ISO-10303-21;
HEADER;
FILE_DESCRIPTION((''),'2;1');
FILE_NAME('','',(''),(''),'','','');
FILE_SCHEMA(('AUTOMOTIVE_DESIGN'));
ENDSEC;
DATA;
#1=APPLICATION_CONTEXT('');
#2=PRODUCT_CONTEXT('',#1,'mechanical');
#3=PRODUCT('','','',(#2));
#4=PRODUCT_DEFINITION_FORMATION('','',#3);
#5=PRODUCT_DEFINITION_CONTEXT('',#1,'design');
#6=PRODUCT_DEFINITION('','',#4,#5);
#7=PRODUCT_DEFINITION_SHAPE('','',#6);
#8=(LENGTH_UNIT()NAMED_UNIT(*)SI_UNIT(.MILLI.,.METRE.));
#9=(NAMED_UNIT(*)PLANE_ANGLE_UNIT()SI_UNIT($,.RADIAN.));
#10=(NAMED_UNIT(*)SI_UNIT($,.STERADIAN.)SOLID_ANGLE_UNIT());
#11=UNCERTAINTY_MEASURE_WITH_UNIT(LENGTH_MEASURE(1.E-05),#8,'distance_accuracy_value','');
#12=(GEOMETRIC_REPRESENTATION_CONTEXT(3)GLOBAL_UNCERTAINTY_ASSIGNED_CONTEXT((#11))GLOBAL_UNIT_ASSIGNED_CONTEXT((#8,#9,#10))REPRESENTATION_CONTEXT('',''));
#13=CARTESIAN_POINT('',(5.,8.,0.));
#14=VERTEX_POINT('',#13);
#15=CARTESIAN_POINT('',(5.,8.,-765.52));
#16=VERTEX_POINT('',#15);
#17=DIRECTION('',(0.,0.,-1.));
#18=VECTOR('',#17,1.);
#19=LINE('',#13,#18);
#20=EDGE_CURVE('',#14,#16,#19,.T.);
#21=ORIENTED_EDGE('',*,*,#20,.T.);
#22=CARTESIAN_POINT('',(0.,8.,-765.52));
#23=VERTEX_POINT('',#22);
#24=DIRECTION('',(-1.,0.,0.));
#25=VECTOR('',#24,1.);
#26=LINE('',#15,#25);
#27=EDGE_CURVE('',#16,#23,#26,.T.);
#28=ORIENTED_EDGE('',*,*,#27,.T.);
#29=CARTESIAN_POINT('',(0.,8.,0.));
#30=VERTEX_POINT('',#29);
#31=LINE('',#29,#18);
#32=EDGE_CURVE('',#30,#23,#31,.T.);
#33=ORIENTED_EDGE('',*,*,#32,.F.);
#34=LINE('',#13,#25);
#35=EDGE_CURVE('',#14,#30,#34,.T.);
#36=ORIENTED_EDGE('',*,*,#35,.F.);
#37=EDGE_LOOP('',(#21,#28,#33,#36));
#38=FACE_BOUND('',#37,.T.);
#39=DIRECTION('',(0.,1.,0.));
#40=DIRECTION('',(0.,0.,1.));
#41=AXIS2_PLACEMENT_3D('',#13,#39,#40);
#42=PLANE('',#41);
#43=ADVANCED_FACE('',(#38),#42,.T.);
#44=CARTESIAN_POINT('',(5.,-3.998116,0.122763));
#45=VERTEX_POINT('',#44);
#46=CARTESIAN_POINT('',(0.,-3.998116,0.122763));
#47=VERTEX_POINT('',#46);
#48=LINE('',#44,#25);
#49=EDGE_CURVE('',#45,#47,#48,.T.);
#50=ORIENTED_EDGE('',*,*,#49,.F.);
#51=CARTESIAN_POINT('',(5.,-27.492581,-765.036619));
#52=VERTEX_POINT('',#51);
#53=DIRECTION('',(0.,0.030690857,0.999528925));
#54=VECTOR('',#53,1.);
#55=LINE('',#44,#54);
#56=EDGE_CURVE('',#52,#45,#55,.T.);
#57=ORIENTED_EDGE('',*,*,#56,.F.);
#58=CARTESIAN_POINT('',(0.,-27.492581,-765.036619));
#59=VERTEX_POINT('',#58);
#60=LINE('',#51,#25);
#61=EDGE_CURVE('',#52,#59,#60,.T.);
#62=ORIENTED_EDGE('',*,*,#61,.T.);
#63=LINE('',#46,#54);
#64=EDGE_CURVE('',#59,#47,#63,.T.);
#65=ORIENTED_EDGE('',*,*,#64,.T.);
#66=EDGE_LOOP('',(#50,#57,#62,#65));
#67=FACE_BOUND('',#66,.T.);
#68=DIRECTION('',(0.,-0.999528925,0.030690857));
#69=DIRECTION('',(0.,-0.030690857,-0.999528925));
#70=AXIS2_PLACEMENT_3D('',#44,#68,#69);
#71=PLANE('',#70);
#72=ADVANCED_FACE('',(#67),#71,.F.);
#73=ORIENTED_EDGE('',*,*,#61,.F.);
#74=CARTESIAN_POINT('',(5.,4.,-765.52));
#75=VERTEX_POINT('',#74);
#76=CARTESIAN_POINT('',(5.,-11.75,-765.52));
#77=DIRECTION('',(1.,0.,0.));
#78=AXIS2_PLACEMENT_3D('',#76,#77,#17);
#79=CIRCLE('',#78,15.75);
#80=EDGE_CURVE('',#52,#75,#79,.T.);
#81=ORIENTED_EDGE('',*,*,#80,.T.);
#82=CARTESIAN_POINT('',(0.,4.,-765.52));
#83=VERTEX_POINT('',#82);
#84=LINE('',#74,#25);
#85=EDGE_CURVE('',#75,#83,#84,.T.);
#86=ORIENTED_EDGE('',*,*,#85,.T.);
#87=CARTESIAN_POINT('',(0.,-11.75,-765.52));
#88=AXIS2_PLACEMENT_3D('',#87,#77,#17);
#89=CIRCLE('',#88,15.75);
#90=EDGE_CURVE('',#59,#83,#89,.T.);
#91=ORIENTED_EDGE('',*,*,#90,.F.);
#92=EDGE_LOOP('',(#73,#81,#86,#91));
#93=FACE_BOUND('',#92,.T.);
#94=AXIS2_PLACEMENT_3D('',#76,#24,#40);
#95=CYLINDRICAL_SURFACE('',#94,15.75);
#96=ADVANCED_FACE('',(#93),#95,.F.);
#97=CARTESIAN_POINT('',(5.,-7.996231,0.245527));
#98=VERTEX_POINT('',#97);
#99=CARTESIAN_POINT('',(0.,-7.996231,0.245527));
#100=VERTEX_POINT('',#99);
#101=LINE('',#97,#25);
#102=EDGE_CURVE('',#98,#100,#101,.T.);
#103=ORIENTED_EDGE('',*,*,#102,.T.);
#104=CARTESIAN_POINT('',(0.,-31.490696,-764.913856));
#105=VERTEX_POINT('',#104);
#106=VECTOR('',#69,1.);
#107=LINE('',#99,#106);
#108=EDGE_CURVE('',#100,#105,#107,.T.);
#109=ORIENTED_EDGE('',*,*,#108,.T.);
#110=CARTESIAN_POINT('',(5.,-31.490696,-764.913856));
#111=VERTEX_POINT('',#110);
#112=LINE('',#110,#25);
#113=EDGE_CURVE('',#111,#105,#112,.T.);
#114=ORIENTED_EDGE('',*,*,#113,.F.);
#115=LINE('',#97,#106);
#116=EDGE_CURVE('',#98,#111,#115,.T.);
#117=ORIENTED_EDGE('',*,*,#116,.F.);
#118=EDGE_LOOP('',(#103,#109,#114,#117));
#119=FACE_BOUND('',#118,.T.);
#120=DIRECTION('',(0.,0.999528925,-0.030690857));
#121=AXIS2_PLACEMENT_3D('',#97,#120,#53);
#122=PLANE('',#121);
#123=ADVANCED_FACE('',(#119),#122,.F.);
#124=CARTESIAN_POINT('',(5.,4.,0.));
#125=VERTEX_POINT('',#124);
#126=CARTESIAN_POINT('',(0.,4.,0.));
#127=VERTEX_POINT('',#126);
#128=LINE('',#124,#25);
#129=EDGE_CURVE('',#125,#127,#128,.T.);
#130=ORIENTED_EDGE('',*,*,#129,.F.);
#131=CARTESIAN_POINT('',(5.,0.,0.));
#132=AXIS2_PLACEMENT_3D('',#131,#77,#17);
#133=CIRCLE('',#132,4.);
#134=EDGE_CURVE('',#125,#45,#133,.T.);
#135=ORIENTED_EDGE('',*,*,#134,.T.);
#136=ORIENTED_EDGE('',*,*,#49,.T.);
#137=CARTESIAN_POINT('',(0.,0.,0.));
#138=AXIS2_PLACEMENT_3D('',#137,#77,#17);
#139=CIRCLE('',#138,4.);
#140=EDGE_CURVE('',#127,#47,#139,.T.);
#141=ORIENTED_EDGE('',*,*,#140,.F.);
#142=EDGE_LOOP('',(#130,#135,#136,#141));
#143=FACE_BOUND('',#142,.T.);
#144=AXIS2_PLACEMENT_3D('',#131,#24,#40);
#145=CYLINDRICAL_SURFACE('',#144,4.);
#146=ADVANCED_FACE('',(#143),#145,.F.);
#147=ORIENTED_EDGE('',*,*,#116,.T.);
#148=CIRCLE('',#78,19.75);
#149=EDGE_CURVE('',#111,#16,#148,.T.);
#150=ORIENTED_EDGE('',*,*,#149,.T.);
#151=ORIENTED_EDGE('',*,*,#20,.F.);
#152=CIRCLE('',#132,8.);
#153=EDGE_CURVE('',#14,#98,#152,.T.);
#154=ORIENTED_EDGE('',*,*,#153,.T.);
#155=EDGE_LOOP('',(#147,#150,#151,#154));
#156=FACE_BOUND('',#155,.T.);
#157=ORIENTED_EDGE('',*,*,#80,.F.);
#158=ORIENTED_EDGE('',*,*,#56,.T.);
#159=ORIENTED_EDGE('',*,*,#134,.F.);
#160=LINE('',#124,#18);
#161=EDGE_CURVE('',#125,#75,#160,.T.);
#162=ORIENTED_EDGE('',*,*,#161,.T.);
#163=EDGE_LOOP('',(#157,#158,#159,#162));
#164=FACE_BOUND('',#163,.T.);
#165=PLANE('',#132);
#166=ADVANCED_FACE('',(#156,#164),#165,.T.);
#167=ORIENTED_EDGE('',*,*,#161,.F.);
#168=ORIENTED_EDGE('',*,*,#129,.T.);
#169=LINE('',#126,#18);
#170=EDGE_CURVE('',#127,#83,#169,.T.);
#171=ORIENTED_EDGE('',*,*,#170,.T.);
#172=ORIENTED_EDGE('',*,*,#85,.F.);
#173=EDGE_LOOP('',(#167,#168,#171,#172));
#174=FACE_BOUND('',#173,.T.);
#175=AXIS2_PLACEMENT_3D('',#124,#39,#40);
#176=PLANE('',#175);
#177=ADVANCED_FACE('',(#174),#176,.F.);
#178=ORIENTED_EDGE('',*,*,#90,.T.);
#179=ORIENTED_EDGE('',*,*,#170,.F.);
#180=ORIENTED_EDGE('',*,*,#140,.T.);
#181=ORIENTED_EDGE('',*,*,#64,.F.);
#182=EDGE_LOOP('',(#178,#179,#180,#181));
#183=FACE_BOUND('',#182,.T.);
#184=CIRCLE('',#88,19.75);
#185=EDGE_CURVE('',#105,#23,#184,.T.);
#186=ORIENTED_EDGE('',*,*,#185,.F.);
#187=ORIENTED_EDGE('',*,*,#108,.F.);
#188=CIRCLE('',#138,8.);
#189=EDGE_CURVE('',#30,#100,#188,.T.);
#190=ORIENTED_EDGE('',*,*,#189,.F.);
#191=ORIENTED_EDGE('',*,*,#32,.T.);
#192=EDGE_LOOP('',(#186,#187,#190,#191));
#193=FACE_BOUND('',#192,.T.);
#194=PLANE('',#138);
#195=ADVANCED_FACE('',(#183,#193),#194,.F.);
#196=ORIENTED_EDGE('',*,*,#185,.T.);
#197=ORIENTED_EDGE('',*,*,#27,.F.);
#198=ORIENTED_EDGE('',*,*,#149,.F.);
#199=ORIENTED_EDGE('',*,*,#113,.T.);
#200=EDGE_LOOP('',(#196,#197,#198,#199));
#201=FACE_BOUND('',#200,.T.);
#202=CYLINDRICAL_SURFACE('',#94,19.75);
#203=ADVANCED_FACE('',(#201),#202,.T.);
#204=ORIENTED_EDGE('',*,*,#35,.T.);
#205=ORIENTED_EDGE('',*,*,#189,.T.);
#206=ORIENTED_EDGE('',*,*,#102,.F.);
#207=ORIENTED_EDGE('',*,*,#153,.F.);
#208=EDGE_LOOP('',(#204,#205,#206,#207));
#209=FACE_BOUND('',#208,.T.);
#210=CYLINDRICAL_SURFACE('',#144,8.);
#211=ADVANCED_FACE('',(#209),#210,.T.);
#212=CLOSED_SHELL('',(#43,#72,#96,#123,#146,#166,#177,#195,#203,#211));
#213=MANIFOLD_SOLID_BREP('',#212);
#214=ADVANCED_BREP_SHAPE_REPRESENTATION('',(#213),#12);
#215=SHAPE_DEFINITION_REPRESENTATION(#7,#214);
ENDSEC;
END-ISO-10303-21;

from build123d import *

# Parameters (mm, degrees)
EXTRUDE_1_DEPTH = 5


with BuildPart() as part:
    # ｽｹｯﾁ1 → ﾎﾞｽ - 押し出し1 (new body)
    with BuildSketch(Plane(origin=(0, 0, 0), x_dir=(0, 0, -1), z_dir=(1, 0, 0))):
        with BuildLine():
            Line((765.52, 8), (0, 8))
            ThreePointArc((0, 8), (-7.999057794, 0.122777888), (-0.245526856, -7.996231398))
            Line((-0.245526856, -7.996231398), (764.913855574, -31.490696263))
            ThreePointArc((764.913855574, -31.490696263), (785.267673929, -12.053107912), (765.52, 8))
        make_face()
        with BuildLine():
            ThreePointArc((-0.122763428, -3.998115699), (-3.999528897, 0.061388944), (0, 4))
            Line((0, 4), (765.52, 4))
            ThreePointArc((765.52, 4), (776.656931804, -0.613068196), (781.27, -11.75))
            ThreePointArc((781.27, -11.75), (776.484699022, -23.056541264), (765.036619002, -27.492580564))
            Line((765.036619002, -27.492580564), (-0.122763428, -3.998115699))
        make_face(mode=Mode.SUBTRACT)
    extrude(amount=EXTRUDE_1_DEPTH)


solid = part.part
